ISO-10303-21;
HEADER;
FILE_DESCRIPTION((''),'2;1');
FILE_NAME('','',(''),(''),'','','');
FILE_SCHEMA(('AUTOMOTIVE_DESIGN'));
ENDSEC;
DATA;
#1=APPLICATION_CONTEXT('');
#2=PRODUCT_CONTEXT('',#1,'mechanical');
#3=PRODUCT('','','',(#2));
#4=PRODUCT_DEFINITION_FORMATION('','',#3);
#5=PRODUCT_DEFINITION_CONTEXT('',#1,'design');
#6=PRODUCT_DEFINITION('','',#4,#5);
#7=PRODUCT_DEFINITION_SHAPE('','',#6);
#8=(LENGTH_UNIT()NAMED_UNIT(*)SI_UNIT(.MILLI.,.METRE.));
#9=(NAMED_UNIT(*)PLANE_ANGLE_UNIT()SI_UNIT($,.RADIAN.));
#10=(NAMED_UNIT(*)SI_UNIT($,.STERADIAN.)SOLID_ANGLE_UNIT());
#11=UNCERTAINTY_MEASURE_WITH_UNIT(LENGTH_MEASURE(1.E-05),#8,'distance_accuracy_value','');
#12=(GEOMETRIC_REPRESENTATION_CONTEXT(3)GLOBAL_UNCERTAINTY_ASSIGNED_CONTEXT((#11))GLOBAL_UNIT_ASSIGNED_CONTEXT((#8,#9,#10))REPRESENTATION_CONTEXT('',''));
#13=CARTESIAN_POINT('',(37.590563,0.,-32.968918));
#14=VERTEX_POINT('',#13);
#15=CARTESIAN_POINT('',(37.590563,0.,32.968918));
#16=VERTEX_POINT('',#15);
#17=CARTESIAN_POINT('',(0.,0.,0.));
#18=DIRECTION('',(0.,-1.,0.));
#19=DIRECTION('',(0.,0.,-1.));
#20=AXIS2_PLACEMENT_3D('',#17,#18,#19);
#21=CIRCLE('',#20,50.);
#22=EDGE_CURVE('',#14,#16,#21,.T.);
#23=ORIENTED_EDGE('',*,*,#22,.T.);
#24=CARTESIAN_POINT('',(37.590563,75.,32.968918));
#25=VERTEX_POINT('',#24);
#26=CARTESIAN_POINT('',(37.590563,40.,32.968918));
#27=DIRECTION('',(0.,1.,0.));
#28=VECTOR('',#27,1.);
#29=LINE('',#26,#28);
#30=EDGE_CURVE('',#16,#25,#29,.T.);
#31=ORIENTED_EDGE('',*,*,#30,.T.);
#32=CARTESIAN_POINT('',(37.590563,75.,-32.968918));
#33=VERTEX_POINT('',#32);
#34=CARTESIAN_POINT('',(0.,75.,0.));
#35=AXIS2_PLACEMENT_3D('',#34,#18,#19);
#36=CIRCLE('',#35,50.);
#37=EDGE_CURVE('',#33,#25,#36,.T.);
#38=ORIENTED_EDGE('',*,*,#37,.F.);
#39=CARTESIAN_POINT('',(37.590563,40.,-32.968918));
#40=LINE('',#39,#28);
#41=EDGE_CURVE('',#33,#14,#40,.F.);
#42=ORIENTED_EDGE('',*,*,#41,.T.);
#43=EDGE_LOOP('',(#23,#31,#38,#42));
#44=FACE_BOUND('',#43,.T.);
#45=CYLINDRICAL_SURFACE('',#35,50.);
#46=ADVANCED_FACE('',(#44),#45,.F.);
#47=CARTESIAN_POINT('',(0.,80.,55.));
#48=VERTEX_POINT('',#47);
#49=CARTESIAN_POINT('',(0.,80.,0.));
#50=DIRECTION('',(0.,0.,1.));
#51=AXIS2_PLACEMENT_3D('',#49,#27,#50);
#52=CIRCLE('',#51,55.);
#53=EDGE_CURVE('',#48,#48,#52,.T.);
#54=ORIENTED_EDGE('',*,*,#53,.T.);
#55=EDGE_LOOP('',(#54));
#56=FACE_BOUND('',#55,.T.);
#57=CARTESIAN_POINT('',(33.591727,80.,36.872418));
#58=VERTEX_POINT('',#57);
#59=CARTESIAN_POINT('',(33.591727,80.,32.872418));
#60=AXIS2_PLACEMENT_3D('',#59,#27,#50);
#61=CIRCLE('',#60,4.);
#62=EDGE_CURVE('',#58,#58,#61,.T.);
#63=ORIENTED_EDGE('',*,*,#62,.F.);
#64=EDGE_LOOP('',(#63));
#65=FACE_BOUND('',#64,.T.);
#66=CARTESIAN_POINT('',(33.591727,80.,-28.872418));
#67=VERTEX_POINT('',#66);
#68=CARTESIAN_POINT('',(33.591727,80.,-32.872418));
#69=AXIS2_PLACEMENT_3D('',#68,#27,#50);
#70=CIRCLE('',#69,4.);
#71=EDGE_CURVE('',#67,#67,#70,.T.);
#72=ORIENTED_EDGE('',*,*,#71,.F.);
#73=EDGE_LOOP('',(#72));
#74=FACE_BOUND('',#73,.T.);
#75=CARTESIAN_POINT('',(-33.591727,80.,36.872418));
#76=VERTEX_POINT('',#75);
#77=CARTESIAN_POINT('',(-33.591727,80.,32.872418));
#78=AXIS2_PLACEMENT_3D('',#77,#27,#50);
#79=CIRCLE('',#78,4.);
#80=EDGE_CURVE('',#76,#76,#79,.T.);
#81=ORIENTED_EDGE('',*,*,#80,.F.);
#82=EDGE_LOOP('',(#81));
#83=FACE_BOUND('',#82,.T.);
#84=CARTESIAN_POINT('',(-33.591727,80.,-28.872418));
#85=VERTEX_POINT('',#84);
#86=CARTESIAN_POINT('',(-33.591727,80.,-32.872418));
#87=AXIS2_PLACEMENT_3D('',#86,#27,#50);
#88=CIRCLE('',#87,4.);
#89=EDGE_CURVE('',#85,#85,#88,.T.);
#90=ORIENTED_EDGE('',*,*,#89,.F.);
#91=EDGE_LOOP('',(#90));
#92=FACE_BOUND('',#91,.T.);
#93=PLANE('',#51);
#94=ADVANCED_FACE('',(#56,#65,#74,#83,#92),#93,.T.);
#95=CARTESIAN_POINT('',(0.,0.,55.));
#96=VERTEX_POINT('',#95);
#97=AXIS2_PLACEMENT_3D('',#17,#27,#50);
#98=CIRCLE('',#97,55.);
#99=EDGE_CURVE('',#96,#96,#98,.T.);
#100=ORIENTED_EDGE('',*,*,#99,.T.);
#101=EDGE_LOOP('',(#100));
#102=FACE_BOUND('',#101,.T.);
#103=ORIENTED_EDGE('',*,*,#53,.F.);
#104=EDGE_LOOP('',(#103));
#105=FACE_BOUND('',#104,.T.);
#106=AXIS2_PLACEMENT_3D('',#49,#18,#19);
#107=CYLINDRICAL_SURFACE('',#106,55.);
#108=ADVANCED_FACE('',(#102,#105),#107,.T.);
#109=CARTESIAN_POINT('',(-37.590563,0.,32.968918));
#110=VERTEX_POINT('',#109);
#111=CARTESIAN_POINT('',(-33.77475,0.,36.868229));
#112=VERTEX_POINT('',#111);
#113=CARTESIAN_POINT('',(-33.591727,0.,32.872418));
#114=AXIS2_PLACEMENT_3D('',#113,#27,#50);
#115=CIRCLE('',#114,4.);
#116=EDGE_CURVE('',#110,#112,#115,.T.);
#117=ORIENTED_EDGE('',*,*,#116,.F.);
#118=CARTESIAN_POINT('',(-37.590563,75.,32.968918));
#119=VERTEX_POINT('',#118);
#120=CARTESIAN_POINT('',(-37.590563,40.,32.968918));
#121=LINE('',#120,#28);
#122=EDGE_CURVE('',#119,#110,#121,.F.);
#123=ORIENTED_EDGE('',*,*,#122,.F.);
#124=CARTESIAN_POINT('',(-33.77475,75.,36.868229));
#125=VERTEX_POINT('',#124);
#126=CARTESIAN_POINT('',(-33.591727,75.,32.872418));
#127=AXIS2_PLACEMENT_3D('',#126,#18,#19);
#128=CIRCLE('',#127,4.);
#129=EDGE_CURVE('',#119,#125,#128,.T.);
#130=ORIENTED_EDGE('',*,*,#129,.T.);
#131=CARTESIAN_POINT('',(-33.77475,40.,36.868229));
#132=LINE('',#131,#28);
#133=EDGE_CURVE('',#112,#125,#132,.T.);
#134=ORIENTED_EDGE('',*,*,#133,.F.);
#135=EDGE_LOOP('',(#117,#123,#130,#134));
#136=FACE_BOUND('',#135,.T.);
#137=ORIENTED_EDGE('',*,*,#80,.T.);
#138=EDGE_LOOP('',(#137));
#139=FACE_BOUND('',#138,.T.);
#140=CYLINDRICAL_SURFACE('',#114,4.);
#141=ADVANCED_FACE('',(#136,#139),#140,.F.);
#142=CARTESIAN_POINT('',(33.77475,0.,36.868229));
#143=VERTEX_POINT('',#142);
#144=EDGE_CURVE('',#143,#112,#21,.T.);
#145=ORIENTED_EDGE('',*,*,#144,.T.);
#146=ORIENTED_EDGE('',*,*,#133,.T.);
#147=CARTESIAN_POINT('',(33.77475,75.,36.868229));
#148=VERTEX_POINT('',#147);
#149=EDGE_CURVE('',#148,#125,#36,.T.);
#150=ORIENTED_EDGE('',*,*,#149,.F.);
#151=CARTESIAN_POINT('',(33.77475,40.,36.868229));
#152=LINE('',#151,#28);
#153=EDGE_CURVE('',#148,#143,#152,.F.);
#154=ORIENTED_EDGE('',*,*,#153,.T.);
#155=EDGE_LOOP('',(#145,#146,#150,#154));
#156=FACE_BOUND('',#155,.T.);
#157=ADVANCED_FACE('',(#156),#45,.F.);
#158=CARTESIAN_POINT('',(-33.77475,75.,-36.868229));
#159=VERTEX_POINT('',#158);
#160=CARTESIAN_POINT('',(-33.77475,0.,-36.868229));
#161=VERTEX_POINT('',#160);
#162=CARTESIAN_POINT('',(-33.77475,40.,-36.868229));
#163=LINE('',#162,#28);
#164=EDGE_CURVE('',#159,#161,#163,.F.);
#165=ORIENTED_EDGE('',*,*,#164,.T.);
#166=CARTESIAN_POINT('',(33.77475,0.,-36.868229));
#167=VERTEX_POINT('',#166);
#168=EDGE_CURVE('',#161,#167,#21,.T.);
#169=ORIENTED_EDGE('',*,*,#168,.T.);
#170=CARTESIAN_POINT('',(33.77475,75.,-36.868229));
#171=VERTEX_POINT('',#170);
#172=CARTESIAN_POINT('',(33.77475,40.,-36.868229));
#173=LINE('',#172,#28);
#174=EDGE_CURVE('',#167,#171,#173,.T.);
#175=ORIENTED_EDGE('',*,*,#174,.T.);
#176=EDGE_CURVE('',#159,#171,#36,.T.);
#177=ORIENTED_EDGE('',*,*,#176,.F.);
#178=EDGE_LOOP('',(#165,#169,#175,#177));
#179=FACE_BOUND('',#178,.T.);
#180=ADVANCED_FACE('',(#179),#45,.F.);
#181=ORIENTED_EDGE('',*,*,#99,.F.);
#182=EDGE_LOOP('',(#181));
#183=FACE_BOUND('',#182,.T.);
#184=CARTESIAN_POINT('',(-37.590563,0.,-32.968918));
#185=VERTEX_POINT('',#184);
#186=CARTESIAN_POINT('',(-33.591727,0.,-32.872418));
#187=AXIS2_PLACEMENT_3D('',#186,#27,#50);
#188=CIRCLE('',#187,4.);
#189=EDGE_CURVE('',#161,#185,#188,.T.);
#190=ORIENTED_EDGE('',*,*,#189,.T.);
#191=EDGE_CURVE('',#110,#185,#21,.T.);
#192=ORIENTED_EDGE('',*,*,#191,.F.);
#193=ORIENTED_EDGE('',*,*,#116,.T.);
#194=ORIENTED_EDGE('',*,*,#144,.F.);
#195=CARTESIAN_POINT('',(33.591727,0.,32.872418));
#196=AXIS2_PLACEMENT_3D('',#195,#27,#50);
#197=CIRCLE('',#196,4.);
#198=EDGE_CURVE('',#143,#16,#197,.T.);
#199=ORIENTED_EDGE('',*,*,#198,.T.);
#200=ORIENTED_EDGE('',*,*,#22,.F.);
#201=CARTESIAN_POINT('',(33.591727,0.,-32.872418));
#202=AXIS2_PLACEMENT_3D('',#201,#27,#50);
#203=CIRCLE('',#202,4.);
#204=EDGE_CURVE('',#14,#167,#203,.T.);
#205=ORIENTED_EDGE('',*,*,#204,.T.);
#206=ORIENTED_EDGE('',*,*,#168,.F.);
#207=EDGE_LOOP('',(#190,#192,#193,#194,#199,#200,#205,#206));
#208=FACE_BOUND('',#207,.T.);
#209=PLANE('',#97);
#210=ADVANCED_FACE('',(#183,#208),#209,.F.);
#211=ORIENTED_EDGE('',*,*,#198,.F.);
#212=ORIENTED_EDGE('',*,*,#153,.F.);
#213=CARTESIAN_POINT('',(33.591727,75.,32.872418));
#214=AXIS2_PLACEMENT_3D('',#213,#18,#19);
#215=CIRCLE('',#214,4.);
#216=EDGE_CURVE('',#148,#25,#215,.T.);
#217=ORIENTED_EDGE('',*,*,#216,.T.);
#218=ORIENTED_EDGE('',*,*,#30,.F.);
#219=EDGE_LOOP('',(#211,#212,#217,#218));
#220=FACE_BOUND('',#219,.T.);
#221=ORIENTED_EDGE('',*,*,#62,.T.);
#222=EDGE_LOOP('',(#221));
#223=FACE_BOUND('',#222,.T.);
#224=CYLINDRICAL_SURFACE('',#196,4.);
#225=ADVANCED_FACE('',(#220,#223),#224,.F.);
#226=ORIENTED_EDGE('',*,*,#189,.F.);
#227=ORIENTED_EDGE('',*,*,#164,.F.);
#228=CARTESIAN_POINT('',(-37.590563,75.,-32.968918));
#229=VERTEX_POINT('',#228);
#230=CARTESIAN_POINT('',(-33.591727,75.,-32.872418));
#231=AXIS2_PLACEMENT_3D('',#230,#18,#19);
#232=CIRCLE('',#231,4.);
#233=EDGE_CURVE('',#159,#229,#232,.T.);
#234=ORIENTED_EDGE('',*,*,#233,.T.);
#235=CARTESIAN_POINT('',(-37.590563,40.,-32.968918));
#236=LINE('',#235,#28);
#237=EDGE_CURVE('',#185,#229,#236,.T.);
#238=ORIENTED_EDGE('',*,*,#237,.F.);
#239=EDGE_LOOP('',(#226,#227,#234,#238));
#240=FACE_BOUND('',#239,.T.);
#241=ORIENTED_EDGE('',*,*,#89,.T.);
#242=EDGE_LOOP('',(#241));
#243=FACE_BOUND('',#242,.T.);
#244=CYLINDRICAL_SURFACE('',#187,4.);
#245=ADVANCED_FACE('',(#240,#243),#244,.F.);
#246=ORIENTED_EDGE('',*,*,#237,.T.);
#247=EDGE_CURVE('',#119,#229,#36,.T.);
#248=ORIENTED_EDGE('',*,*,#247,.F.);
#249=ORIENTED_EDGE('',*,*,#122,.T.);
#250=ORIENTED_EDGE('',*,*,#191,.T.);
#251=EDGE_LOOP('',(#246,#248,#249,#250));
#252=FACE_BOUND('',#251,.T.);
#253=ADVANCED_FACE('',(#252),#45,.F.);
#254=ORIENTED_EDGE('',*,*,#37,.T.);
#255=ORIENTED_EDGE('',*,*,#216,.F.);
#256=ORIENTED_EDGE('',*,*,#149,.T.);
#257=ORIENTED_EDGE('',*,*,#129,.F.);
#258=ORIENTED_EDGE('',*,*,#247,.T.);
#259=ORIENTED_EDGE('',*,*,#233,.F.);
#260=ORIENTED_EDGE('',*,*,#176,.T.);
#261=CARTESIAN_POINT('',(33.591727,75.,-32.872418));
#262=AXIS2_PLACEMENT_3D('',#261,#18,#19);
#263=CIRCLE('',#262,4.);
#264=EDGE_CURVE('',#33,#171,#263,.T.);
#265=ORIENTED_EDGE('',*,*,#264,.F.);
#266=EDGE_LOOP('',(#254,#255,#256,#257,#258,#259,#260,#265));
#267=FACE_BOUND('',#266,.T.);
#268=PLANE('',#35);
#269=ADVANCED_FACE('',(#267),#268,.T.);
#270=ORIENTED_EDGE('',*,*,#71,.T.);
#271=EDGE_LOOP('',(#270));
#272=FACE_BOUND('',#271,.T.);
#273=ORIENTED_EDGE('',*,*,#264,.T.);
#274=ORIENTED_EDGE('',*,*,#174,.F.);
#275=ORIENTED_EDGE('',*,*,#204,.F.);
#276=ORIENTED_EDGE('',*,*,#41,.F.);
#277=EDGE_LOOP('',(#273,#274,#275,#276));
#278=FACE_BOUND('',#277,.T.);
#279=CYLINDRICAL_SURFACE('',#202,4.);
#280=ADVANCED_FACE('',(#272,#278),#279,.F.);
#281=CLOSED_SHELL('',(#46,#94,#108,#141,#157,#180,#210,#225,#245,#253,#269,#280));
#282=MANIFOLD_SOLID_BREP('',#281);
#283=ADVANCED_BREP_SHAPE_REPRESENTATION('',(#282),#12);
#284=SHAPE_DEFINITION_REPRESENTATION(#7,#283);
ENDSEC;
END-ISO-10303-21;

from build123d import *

# Parameters (mm, degrees)
SKETCH_1_R          = 55
EXTRUDE_1_DEPTH     = 80
SKETCH_2_R          = 50
CUT_EXTRUDE_1_DEPTH = 75
SKETCH_3_W          = 33.5
SKETCH_3_H          = 15
CUT_EXTRUDE_2_DEPTH = 6
SKETCH_4_R          = 4
CUT_EXTRUDE_3_DEPTH = 81
SKETCH2_W           = 33.5
SKETCH2_H           = 15
BOSS_EXTRUDE1_DEPTH = 5


with BuildPart() as part:
    # Эскиз1 → Бобышка-Вытянуть1 (new body)
    with BuildSketch(Plane(origin=(0, 0, 0), x_dir=(1, 0, 0), z_dir=(0, 1, 0))):
        Circle(SKETCH_1_R)
    extrude(amount=EXTRUDE_1_DEPTH)

    # Эскиз2 → Вырез-Вытянуть1 (cut)
    with BuildSketch(Plane.XZ):
        Circle(SKETCH_2_R)
    extrude(amount=-CUT_EXTRUDE_1_DEPTH, mode=Mode.SUBTRACT)

    # Эскиз3 → Вырез-Вытянуть2 (cut, through all)
    with BuildSketch(Plane.XZ.offset(-75)):
        Rectangle(SKETCH_3_W, SKETCH_3_H)
    extrude(amount=-CUT_EXTRUDE_2_DEPTH, mode=Mode.SUBTRACT)

    # Эскиз4 → Вырез-Вытянуть3 (cut, through all)
    with BuildSketch(Plane(origin=(0, 80, 0), x_dir=(1, 0, 0), z_dir=(0, 1, 0))):
        with Locations((33.591727056, -32.872418125)):
            Circle(SKETCH_4_R)
        with Locations((-33.591727056, -32.872418125)):
            Circle(SKETCH_4_R)
        with Locations((-33.591727056, 32.872418125)):
            Circle(SKETCH_4_R)
        with Locations((33.591727056, 32.872418125)):
            Circle(SKETCH_4_R)
    extrude(amount=-CUT_EXTRUDE_3_DEPTH, mode=Mode.SUBTRACT)

    # Sketch2 → Boss-Extrude1 (add)
    with BuildSketch(Plane(origin=(0, 80, 0), x_dir=(1, 0, 0), z_dir=(0, 1, 0))):
        Rectangle(SKETCH2_W, SKETCH2_H)
    extrude(amount=-BOSS_EXTRUDE1_DEPTH)


solid = part.part
